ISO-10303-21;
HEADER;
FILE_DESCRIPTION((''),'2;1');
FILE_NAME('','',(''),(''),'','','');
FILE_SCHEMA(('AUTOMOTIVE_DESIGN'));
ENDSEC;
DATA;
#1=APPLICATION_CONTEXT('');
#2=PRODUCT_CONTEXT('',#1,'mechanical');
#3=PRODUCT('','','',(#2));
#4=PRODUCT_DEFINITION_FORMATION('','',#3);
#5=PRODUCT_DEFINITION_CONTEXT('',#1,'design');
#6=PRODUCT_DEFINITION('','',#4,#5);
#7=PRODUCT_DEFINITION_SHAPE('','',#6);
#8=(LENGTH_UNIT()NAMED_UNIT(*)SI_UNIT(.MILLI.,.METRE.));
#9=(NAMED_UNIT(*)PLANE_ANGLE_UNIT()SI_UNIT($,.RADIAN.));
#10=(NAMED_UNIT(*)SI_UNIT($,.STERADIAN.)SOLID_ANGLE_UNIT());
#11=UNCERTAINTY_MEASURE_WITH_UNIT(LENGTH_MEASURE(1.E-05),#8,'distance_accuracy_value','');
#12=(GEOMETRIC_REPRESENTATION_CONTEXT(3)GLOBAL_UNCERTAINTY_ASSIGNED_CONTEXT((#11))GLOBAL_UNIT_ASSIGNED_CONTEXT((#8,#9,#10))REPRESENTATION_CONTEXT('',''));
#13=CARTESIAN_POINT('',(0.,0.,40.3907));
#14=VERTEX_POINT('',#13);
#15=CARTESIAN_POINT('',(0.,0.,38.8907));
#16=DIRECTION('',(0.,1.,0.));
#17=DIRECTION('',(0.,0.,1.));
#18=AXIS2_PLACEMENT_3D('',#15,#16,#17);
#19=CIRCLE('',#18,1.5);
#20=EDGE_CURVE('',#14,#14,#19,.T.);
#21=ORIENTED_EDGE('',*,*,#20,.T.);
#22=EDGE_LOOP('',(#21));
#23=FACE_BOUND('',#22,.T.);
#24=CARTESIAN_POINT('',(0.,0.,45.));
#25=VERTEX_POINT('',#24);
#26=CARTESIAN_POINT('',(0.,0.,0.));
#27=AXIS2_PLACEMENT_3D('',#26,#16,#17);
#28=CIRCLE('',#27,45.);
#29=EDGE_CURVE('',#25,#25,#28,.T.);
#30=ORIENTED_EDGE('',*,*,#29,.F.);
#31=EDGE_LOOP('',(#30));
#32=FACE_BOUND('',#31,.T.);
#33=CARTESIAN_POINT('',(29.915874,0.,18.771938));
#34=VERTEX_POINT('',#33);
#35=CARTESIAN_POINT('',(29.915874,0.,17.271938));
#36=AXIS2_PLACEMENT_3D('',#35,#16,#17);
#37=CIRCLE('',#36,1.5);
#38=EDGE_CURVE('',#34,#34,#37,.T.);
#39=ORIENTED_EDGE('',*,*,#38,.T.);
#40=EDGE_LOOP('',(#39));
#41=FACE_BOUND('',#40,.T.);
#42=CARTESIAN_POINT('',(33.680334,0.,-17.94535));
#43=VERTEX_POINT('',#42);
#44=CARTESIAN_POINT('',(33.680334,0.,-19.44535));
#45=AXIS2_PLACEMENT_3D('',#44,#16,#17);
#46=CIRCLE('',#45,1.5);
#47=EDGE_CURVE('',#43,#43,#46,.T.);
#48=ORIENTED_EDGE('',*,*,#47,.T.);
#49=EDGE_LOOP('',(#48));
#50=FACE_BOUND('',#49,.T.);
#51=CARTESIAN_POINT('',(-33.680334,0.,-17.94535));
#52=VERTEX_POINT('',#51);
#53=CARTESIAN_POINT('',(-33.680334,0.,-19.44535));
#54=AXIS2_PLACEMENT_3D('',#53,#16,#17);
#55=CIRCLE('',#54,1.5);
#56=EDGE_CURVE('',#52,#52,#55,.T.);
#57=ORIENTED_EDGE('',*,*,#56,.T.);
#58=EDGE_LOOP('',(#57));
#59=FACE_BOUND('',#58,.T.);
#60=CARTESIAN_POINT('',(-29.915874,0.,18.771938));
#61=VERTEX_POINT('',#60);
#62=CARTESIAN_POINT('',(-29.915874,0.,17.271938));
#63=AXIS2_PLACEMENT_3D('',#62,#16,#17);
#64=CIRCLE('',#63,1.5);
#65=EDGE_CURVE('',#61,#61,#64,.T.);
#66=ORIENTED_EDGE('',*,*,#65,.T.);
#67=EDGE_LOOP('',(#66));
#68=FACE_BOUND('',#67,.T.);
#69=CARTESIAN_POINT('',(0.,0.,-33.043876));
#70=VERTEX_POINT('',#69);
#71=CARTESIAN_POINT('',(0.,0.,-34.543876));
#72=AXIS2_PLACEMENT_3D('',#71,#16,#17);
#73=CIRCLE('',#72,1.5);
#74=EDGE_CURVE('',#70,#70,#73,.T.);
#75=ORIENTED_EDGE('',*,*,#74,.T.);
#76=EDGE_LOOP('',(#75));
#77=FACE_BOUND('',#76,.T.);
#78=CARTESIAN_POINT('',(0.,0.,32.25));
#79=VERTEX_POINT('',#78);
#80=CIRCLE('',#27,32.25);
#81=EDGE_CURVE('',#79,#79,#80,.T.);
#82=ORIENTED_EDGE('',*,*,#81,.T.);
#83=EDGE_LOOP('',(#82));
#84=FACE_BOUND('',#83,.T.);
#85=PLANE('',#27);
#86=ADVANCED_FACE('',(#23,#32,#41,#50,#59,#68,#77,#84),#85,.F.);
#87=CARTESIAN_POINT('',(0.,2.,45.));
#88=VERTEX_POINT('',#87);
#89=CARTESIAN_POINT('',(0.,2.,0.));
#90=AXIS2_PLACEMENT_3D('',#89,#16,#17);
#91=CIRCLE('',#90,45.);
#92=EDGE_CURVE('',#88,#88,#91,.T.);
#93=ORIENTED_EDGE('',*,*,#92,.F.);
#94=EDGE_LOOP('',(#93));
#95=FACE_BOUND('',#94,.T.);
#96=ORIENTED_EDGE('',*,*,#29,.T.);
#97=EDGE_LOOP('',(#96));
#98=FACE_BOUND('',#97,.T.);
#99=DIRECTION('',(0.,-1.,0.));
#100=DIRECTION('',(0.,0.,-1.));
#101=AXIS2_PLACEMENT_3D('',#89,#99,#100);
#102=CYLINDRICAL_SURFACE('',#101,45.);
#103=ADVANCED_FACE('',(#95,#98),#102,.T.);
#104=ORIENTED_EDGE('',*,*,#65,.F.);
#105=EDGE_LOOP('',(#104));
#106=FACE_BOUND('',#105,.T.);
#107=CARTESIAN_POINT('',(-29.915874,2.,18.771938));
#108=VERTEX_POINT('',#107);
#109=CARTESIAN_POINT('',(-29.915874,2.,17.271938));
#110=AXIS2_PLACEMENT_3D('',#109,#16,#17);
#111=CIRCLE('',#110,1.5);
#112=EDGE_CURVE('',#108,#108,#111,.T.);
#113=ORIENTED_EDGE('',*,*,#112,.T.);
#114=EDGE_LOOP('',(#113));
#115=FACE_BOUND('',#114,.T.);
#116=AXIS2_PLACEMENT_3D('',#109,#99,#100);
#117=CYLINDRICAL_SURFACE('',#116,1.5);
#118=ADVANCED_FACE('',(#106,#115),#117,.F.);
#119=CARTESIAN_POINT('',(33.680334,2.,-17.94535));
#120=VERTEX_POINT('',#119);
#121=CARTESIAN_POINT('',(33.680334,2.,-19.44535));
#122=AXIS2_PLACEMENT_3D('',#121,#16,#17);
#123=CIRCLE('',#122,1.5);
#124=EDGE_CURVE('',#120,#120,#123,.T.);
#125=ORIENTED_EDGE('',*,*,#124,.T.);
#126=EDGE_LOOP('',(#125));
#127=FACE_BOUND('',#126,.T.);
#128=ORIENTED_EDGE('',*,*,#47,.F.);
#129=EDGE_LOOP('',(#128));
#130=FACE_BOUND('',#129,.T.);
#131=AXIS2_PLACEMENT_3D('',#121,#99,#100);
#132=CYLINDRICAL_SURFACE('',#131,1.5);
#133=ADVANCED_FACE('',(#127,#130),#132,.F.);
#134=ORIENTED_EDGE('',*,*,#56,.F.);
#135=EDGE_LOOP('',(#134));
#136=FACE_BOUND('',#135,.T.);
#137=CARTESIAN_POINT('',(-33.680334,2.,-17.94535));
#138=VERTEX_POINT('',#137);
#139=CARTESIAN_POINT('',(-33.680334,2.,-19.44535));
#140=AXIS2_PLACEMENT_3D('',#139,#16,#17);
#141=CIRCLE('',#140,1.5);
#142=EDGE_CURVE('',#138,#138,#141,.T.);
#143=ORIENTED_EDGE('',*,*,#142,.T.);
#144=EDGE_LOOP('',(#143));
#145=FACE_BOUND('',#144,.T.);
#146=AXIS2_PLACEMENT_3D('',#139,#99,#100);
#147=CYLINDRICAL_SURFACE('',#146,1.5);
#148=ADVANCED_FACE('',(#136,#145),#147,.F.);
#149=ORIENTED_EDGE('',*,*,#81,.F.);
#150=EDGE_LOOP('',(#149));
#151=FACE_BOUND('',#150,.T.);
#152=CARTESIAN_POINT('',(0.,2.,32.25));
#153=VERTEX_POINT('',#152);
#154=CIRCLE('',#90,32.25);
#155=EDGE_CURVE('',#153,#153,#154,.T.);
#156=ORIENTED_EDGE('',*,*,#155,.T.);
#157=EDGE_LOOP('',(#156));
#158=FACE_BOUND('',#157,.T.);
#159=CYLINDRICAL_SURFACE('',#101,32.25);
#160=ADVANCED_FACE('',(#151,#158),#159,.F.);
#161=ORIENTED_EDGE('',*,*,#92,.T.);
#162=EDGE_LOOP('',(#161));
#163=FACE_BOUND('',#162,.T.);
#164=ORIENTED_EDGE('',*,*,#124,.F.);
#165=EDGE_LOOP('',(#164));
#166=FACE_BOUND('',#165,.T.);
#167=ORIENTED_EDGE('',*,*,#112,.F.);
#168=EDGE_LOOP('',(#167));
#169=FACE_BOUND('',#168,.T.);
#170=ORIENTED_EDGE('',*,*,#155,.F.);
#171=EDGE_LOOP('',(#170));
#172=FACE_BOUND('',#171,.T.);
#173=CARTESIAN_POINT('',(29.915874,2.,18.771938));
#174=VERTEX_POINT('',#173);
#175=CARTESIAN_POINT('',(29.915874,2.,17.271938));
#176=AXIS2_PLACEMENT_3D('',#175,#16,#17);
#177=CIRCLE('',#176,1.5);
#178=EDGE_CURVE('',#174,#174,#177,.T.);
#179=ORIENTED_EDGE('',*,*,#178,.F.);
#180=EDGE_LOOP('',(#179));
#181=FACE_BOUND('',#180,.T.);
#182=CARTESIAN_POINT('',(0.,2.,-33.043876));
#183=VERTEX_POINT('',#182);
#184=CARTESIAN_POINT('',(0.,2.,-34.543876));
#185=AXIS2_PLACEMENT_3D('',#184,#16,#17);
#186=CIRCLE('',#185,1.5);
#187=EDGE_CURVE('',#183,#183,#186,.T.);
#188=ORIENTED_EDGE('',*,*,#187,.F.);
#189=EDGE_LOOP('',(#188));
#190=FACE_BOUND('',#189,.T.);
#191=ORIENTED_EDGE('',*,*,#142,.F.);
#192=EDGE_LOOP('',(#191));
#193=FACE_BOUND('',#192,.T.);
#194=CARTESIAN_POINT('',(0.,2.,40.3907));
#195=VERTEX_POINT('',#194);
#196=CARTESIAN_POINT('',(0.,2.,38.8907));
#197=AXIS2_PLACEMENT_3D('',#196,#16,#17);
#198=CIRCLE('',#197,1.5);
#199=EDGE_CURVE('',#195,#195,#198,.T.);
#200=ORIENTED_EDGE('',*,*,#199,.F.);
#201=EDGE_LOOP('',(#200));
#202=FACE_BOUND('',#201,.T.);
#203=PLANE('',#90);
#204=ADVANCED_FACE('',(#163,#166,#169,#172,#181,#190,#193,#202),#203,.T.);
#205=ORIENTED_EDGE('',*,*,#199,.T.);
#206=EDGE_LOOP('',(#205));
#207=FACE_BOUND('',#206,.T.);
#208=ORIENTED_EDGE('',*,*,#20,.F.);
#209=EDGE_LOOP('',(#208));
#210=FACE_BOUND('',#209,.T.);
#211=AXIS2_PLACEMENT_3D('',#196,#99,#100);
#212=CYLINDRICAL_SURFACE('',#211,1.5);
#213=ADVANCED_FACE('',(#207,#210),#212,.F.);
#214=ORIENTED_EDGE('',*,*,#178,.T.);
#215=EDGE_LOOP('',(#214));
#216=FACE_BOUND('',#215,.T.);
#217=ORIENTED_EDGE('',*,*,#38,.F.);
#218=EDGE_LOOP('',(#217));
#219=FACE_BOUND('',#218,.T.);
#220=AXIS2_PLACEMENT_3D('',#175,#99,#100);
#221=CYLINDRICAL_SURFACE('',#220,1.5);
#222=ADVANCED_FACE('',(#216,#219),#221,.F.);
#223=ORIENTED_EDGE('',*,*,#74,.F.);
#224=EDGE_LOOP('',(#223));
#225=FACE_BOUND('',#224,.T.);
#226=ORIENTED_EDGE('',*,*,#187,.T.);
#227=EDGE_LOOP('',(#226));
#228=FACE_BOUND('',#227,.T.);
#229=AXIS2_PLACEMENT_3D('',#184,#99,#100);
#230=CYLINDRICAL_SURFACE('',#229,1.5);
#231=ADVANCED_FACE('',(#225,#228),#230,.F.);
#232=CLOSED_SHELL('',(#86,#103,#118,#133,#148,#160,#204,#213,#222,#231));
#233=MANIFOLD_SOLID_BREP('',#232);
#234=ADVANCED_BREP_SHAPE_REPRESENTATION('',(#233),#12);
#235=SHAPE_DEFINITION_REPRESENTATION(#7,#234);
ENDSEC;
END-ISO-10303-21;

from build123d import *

# Parameters (mm, degrees)
SKETCH2_R           = 45
SKETCH2_R_2         = 1.5
SKETCH2_R_3         = 32.25
BOSS_EXTRUDE1_DEPTH = 2


with BuildPart() as part:
    # Sketch2 → Boss-Extrude1 (new body)
    with BuildSketch(Plane(origin=(0, 0, 0), x_dir=(1, 0, 0), z_dir=(0, 1, 0))):
        with Locations(Location((0, 0, 0), (0, 0, 270))):
            Circle(SKETCH2_R)
        with Locations(Location((0, 34.543876, 0), (0, 0, 270))):
            Circle(SKETCH2_R_2, mode=Mode.SUBTRACT)
        with Locations(Location((-29.915874161, -17.271938, 0), (0, 0, 270))):
            Circle(SKETCH2_R_2, mode=Mode.SUBTRACT)
        with Locations(Location((29.915874161, -17.271938, 0), (0, 0, 270))):
            Circle(SKETCH2_R_2, mode=Mode.SUBTRACT)
        with Locations(Location((33.680334171, 19.44535, 0), (0, 0, 270))):
            Circle(SKETCH2_R_2, mode=Mode.SUBTRACT)
        with Locations(Location((-33.680334171, 19.44535, 0), (0, 0, 270))):
            Circle(SKETCH2_R_2, mode=Mode.SUBTRACT)
        with Locations(Location((0, -38.8907, 0), (0, 0, 270))):
            Circle(SKETCH2_R_2, mode=Mode.SUBTRACT)
        with Locations(Location((0, 0, 0), (0, 0, 270))):
            Circle(SKETCH2_R_3, mode=Mode.SUBTRACT)
    extrude(amount=BOSS_EXTRUDE1_DEPTH)


solid = part.part
